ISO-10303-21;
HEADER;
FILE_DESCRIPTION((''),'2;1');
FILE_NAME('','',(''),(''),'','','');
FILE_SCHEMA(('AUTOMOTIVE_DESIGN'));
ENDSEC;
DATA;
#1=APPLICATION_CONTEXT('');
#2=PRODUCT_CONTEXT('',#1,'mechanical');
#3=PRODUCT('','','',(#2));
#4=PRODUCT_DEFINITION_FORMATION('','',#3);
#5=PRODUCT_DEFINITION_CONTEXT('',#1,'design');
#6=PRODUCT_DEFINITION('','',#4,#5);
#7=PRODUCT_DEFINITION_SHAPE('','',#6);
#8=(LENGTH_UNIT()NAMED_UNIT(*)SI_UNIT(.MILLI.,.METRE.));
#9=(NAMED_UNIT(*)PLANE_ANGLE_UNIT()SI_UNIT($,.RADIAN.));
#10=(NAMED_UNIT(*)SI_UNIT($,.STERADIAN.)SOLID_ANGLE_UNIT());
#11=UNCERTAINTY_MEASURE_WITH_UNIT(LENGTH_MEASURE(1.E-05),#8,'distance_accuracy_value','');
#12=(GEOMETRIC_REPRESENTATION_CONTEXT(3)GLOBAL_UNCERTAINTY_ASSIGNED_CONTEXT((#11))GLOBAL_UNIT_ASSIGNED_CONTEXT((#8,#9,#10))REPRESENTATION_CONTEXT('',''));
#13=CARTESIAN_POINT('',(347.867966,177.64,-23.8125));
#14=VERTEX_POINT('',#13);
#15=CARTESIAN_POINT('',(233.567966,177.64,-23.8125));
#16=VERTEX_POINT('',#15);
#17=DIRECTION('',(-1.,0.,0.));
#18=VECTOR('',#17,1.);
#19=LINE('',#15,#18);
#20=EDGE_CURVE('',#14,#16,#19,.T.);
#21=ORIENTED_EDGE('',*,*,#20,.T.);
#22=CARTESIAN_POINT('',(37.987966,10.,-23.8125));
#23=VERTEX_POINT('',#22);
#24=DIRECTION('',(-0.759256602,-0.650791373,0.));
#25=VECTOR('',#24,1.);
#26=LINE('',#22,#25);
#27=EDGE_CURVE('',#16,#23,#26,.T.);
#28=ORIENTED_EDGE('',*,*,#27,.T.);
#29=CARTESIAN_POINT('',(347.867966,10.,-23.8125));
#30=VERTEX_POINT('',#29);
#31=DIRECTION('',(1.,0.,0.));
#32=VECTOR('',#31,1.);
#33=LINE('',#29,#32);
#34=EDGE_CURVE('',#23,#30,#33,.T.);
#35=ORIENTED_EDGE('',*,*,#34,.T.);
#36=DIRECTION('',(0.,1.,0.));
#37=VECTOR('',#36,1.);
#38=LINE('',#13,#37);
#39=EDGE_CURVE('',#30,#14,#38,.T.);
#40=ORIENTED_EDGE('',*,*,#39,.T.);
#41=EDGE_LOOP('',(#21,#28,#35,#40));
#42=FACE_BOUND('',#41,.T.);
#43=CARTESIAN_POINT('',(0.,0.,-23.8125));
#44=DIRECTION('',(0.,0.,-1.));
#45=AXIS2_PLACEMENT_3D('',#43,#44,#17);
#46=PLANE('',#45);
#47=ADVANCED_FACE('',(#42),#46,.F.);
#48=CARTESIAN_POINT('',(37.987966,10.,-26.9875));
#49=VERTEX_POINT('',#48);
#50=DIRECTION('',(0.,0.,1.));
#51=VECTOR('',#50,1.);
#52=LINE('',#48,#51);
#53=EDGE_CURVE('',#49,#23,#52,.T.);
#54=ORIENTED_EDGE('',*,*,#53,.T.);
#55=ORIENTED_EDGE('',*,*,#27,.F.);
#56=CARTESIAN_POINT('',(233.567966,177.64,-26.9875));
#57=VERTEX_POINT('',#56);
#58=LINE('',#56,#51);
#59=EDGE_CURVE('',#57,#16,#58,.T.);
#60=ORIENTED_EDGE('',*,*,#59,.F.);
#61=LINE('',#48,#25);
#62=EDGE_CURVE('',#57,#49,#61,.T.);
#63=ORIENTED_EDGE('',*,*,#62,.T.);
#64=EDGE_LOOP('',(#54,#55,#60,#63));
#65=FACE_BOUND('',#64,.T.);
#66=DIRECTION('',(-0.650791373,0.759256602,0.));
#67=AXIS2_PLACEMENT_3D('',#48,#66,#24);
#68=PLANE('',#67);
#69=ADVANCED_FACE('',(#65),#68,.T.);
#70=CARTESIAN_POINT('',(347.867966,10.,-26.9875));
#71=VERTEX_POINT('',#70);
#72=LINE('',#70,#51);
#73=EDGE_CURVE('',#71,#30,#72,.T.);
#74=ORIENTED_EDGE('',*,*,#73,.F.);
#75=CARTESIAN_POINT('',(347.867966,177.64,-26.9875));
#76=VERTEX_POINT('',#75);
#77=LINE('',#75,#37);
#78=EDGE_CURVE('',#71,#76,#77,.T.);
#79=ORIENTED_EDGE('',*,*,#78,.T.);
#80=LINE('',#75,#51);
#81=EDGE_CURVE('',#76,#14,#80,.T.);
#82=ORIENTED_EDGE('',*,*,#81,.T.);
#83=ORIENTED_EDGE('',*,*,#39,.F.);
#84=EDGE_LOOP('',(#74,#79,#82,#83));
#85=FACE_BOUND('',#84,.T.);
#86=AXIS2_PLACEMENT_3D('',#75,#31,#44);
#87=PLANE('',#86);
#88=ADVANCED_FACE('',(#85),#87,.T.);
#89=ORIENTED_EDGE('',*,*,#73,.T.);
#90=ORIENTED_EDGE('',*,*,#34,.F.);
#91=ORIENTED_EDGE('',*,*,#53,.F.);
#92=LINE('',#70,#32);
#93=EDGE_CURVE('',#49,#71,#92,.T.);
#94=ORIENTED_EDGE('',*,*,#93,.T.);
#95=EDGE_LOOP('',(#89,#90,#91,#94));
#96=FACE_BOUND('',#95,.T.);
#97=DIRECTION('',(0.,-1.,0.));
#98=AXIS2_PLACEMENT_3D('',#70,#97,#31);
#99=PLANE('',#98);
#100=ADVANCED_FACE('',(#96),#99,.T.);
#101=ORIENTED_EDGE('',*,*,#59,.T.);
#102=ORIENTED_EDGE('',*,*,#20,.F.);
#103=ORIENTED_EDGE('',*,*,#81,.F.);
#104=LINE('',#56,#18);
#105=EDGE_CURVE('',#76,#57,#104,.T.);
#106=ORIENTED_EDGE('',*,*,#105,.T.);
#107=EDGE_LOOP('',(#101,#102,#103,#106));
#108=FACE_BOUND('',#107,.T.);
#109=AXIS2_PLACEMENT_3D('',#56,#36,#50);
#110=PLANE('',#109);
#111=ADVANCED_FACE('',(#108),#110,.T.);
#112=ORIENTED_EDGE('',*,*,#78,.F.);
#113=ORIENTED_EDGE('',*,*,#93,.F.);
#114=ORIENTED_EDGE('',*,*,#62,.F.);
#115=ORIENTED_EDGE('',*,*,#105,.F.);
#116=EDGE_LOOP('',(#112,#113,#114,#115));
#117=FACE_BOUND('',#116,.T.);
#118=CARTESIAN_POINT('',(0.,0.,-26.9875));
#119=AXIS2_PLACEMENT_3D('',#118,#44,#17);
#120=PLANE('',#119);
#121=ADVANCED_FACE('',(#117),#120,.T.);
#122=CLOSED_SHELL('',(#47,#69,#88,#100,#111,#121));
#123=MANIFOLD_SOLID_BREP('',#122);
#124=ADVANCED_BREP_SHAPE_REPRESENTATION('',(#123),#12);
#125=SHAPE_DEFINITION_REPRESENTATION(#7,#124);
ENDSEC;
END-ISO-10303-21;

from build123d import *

# Parameters (mm, degrees)
SKETCH1_W                = 381
SKETCH1_H                = 50.8
BOSS_EXTRUDE1_DEPTH      = 10
BOSS_EXTRUDE2_DEPTH      = 1.5875
BOSS_EXTRUDE2_DEPTH_BACK = 1.5875
SKETCH3_W                = 381
SKETCH3_H                = 50.8
CUT_EXTRUDE1_DEPTH       = 420.338538176


with BuildPart() as part:
    # Sketch1 → Boss-Extrude1 (new body)
    with BuildSketch(Plane(origin=(0, 0, 0), x_dir=(1, 0, 0), z_dir=(0, 1, 0))):
        with Locations((190.5, 25.4)):
            Rectangle(SKETCH1_W, SKETCH1_H)
    extrude(amount=BOSS_EXTRUDE1_DEPTH)

    # Sketch3 → Cut-Extrude1 (cut, through all)
    with BuildSketch(Plane(origin=(0, 10, 0), x_dir=(1, 0, 0), z_dir=(0, 1, 0))):
        with Locations((190.5, 25.4)):
            Rectangle(SKETCH3_W, SKETCH3_H)
    extrude(amount=-CUT_EXTRUDE1_DEPTH, mode=Mode.SUBTRACT)


with BuildPart() as body_2:
    # Sketch2 → Boss-Extrude2 (new, two sides: drawn at the far end of the back side and taken through both)
    with BuildSketch(Plane.XY.offset(-25.4).offset(-BOSS_EXTRUDE2_DEPTH_BACK)):
        Polygon((347.867965721, 10), (37.987965721, 10), (233.567965721, 177.64), (347.867965721, 177.64), align=None)
    extrude(amount=BOSS_EXTRUDE2_DEPTH + BOSS_EXTRUDE2_DEPTH_BACK)


solid = body_2.part
